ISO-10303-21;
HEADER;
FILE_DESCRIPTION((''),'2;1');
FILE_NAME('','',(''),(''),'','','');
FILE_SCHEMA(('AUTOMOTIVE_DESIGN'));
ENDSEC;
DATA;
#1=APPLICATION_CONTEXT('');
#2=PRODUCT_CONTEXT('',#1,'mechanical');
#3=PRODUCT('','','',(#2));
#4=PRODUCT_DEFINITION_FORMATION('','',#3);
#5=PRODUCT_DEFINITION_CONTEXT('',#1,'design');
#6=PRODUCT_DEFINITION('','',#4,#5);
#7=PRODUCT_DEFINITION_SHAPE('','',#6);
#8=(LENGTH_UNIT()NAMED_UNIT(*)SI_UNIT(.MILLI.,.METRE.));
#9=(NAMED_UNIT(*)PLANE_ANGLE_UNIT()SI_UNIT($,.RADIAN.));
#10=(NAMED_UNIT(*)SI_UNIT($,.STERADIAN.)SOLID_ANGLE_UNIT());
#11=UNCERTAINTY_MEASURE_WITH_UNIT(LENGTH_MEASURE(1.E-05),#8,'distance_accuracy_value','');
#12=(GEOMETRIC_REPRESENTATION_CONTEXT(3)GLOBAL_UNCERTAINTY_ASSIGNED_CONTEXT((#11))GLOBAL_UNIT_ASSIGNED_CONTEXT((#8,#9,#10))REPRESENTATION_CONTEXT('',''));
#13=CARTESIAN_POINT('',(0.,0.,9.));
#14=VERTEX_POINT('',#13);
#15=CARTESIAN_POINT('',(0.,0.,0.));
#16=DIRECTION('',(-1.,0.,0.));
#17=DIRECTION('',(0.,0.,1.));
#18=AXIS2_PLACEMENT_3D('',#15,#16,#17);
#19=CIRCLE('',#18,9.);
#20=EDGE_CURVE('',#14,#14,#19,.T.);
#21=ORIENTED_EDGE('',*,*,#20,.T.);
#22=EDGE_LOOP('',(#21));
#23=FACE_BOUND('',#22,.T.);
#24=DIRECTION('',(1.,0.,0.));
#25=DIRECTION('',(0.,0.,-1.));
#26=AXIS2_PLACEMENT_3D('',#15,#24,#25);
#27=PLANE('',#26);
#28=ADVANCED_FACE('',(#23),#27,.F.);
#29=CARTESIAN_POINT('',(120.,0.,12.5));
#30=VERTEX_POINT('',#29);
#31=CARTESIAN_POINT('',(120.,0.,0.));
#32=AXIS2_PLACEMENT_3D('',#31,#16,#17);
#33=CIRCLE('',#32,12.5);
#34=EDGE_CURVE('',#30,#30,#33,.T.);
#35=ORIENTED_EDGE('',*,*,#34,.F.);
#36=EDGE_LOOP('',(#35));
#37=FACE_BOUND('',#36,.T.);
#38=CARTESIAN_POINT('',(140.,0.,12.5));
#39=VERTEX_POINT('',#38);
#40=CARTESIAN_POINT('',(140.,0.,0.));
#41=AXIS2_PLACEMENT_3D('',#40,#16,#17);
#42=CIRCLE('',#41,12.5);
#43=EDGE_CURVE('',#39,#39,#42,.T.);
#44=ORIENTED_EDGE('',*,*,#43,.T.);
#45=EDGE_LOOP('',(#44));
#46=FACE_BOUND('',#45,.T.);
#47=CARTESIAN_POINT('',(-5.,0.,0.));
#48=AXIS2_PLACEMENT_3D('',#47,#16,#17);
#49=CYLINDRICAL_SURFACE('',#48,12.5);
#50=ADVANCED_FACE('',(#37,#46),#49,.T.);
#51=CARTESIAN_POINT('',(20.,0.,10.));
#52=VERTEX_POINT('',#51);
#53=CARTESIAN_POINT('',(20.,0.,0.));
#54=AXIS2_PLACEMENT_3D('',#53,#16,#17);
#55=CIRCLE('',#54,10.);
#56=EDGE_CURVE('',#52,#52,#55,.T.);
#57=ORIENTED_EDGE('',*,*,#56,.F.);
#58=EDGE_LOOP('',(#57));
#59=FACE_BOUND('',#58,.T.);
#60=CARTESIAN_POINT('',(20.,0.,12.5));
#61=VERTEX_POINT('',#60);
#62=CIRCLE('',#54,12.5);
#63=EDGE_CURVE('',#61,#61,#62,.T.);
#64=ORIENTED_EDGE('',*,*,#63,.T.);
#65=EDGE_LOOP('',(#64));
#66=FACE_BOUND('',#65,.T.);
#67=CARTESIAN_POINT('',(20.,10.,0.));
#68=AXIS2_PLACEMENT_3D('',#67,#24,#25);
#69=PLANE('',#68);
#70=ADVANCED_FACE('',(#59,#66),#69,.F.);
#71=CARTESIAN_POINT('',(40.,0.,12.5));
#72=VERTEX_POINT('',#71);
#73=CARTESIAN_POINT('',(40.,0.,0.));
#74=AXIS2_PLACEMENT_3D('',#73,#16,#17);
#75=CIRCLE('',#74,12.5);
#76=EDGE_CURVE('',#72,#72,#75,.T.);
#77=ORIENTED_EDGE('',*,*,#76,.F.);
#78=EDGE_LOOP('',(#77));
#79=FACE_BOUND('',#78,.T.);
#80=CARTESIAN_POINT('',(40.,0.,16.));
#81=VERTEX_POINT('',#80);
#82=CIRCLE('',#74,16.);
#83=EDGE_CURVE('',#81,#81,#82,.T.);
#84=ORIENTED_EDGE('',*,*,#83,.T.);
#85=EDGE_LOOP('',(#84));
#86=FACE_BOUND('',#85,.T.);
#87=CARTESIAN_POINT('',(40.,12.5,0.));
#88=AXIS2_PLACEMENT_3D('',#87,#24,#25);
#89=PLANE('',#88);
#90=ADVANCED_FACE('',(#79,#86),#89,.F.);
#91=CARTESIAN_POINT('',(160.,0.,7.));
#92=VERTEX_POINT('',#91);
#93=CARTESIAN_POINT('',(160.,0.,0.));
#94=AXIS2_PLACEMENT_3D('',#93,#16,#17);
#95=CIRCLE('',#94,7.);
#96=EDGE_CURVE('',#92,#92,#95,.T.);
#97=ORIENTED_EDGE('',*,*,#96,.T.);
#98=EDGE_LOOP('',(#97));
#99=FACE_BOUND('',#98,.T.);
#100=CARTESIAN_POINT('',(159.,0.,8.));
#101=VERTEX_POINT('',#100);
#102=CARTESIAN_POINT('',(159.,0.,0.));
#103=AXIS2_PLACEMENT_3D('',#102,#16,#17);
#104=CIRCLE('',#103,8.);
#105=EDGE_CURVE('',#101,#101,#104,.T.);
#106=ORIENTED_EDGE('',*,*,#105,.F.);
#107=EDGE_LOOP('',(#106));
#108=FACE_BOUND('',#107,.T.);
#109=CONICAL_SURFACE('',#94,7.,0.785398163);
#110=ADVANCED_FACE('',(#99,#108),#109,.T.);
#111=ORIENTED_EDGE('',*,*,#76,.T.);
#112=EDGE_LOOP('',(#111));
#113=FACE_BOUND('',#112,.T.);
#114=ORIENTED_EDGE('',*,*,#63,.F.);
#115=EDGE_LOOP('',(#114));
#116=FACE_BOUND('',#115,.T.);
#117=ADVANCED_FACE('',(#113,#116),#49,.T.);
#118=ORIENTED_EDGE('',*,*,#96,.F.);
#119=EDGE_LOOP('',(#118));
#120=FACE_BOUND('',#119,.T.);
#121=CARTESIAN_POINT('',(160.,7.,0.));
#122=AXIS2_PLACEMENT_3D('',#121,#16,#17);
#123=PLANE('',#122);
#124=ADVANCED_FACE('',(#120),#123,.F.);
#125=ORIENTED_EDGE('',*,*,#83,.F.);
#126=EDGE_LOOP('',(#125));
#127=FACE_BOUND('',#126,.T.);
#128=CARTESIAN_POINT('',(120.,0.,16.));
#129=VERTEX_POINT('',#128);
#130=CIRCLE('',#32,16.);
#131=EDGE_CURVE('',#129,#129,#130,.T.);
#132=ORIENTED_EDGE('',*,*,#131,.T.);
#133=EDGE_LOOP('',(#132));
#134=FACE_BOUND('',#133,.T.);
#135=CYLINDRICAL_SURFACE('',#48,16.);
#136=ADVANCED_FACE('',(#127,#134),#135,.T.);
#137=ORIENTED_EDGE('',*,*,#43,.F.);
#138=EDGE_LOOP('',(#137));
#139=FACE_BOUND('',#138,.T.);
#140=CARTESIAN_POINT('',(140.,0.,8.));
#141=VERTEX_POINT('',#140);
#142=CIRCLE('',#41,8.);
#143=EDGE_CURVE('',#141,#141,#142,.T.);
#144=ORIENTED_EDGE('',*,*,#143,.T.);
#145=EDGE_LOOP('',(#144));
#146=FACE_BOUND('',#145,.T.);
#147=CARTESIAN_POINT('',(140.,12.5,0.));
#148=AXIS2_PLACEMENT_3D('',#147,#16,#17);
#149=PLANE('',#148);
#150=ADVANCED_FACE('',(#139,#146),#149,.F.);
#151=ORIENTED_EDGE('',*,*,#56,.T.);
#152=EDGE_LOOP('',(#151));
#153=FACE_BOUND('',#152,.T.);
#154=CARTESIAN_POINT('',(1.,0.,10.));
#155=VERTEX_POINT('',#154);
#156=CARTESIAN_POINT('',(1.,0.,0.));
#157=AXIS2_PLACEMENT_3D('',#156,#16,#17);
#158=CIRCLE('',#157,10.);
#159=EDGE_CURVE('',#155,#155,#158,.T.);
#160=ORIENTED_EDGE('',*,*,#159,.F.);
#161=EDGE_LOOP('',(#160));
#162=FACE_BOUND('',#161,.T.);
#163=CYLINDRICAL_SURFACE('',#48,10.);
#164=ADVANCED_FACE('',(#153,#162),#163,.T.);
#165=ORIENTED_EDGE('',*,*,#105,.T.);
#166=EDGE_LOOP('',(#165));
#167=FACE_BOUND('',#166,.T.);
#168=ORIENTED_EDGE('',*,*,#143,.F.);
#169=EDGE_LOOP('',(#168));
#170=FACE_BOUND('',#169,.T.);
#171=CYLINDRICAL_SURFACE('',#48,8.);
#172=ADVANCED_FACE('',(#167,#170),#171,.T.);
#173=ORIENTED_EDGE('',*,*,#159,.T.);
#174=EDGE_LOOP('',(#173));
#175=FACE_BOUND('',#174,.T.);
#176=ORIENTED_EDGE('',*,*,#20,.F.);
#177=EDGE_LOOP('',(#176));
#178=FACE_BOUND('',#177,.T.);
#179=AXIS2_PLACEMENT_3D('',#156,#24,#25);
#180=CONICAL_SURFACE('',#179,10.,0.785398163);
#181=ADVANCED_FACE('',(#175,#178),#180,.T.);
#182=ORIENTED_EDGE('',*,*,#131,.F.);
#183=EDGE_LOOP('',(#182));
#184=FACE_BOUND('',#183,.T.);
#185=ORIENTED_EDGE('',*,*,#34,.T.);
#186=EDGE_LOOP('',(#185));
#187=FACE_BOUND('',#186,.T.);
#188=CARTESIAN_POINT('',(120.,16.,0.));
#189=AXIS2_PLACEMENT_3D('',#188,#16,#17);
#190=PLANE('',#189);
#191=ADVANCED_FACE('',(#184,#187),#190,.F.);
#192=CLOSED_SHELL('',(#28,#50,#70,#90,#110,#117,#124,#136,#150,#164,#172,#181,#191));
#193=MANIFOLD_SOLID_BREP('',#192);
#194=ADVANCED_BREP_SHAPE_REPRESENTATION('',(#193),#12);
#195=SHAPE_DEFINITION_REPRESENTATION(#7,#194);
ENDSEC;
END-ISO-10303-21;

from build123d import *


with BuildPart() as part:
    # Skizze1 → Welle (revolve)
    with BuildSketch(Plane.XY, mode=Mode.PRIVATE) as welle_sk:
        Polygon((0, 0), (0, 9), (1, 10), (20, 10), (20, 12.5), (40, 12.5), (40, 16), (120, 16), (120, 12.5), (140, 12.5), (140, 8), (159, 8), (160, 7), (160, 0), align=None)
    revolve(welle_sk.sketch.rotate(Axis((-5, 0, 0), (1, 0, 0)), 90), axis=Axis((-5, 0, 0), (1, 0, 0)))


solid = part.part
